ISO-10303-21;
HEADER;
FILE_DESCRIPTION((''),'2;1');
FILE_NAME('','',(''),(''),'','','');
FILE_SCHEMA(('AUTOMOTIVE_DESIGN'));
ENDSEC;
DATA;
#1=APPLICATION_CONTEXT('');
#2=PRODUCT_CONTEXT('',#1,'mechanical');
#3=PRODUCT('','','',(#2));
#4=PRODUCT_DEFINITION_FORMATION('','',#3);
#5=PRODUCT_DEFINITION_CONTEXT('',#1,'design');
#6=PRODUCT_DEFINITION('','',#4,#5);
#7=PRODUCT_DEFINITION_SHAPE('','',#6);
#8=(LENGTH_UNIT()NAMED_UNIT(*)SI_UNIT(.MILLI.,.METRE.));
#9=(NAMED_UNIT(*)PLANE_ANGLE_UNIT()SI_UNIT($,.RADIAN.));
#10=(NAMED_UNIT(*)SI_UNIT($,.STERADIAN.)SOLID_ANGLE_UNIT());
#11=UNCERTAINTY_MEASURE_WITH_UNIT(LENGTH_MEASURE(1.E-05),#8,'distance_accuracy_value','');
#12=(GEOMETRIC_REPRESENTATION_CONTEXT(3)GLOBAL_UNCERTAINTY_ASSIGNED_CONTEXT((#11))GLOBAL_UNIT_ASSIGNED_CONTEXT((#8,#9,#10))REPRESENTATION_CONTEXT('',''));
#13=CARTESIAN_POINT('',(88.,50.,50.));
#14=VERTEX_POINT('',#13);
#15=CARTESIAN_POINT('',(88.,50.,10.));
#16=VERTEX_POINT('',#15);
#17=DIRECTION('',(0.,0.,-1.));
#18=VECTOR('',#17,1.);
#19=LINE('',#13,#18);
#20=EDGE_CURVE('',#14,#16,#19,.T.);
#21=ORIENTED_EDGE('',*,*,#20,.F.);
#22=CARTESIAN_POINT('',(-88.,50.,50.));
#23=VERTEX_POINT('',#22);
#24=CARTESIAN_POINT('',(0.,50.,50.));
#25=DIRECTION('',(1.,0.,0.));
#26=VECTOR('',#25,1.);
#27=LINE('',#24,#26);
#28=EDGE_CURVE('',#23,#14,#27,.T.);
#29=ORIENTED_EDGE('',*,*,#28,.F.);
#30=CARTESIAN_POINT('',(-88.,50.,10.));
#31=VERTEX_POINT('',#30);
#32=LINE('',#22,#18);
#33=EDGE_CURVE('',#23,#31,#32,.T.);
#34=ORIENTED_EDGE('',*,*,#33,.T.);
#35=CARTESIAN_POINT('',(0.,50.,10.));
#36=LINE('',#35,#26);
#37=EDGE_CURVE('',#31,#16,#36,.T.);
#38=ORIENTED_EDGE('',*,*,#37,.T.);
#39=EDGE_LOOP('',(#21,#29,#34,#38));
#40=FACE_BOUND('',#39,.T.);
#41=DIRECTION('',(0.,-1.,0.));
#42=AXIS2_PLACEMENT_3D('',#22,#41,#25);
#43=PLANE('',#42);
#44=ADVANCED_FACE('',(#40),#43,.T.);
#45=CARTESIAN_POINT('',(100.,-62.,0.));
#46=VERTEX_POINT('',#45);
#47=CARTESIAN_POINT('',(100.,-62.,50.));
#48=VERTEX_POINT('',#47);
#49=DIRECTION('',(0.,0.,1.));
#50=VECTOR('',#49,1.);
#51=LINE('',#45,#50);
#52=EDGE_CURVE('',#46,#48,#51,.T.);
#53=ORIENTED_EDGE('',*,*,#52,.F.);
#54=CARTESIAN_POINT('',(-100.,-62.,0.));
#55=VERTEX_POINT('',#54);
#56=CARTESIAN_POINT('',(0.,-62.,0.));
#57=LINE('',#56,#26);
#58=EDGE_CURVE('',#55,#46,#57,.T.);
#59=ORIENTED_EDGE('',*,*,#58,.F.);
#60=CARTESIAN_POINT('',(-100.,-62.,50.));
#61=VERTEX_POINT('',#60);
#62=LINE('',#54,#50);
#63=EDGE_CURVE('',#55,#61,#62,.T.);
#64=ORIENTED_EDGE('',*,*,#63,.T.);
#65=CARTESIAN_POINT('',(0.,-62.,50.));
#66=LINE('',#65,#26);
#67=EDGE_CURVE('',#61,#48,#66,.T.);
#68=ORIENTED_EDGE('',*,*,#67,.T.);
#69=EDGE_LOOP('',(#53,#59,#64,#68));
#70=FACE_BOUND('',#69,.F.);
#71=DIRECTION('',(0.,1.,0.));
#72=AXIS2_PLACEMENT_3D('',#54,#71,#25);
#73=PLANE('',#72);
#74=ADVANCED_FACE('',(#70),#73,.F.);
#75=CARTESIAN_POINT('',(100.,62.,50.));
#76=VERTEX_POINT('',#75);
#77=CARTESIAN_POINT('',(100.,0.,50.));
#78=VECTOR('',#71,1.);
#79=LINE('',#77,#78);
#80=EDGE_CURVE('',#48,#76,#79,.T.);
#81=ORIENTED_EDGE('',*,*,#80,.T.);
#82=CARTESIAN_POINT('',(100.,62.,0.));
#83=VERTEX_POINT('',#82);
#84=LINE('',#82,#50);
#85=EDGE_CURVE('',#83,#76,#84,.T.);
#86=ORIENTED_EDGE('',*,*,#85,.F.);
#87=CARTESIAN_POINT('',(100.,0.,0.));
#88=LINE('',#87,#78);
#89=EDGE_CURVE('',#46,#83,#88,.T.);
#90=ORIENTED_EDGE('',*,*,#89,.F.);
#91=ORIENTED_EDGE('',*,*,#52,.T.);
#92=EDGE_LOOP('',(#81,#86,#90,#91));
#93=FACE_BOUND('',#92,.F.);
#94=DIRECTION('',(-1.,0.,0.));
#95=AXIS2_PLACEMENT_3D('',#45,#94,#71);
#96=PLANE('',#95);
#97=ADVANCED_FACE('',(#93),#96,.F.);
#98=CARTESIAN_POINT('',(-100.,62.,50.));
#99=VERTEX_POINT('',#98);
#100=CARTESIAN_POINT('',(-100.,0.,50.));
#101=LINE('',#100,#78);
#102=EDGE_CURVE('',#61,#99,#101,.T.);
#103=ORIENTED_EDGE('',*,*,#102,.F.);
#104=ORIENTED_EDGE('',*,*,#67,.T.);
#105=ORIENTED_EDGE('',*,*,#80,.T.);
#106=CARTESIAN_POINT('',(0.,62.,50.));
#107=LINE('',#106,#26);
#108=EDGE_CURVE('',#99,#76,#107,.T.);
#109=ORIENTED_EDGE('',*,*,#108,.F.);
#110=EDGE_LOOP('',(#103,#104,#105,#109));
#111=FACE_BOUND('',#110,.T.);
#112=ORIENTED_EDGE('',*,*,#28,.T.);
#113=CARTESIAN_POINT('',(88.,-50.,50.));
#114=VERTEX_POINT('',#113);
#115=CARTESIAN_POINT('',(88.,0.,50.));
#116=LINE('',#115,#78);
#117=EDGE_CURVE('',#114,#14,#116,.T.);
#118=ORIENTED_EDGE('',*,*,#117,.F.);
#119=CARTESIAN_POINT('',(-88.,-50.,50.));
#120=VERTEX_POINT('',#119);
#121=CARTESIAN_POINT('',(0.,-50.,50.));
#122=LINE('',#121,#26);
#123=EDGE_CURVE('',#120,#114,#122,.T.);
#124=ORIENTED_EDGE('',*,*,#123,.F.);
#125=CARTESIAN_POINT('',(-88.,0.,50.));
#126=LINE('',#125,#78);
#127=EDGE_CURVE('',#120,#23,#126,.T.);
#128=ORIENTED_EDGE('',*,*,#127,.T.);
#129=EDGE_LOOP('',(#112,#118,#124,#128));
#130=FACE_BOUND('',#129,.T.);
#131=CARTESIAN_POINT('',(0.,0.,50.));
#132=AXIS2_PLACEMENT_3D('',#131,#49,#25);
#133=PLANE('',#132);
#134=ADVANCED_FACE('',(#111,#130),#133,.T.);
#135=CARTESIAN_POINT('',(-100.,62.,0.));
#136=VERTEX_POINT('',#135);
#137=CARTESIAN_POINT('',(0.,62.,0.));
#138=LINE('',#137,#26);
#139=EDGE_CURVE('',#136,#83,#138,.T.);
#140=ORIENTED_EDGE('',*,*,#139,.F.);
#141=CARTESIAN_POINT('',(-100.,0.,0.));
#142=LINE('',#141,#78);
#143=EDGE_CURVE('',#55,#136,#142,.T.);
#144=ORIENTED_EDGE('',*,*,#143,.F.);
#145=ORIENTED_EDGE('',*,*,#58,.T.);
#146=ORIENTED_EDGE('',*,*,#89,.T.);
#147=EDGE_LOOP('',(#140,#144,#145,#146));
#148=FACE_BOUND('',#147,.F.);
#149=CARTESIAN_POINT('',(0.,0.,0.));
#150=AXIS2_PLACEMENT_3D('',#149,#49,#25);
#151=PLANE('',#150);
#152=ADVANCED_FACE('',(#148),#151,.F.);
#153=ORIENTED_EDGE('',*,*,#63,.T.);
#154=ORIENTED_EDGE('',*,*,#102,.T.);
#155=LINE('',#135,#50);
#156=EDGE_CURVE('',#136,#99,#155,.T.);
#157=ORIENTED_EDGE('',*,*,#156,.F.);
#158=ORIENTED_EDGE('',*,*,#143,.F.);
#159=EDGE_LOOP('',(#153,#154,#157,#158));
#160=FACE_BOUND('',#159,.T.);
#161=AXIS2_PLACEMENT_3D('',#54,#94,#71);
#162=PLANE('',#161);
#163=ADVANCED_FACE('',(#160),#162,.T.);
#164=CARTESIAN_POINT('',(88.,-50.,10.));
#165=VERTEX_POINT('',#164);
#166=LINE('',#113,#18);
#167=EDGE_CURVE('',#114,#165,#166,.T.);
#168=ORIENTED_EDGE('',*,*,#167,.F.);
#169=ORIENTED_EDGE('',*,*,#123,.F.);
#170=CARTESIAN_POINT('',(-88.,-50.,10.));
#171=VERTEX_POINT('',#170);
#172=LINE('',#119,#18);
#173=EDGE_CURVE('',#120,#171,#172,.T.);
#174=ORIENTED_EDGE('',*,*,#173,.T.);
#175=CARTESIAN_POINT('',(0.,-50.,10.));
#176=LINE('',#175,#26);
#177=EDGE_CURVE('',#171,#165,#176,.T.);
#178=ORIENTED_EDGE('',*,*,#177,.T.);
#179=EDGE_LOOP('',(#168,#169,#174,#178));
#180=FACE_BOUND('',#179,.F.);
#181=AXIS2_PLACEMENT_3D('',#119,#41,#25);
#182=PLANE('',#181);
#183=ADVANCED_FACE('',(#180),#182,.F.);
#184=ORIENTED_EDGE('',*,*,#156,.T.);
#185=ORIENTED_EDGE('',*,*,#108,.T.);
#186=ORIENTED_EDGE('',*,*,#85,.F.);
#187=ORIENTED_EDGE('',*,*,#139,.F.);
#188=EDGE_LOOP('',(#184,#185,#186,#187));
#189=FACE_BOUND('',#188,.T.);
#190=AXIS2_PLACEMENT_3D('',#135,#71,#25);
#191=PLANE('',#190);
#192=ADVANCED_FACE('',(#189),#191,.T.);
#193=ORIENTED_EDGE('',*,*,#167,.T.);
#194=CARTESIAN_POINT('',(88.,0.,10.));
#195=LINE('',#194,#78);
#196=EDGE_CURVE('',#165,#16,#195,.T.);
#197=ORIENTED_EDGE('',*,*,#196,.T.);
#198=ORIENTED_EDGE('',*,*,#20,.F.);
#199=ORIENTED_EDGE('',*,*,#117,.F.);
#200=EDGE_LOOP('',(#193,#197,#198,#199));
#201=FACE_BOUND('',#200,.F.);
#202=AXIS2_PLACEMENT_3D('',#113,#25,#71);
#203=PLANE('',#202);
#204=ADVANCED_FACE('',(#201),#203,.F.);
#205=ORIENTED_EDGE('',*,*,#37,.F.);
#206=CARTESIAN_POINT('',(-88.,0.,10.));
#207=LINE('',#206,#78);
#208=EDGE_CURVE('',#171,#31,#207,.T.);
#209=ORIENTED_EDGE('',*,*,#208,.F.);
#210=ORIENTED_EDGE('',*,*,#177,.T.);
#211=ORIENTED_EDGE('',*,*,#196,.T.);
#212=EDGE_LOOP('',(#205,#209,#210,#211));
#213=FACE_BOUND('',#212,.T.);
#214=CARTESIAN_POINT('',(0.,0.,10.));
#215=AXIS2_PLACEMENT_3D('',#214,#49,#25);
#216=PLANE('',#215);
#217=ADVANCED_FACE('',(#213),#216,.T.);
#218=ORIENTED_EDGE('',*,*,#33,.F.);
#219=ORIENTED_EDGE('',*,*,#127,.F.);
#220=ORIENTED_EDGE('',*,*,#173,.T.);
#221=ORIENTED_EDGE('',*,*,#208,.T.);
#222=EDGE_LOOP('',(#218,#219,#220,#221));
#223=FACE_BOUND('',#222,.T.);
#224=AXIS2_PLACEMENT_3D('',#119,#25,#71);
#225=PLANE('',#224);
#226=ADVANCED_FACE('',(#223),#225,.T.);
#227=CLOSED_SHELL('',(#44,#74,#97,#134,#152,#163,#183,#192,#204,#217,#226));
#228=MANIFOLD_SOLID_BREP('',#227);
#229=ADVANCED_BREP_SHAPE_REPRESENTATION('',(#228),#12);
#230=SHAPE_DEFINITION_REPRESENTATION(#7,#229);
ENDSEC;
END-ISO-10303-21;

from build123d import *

# Parameters (mm, degrees)
SKETCH_W     = 200
SKETCH_H     = 124
PAD_DEPTH    = 50
SKETCH001_W  = 176
SKETCH001_H  = 100
POCKET_DEPTH = 40


with BuildPart() as part:
    # Sketch → Pad (new body)
    with BuildSketch(Plane.XY):
        Rectangle(SKETCH_W, SKETCH_H)
    extrude(amount=PAD_DEPTH)

    # Sketch001 (on Face6 of Pad) → Pocket (cut)
    with BuildSketch(Plane.XY.offset(50)):
        Rectangle(SKETCH001_W, SKETCH001_H)
    extrude(amount=-POCKET_DEPTH, mode=Mode.SUBTRACT)


solid = part.part
